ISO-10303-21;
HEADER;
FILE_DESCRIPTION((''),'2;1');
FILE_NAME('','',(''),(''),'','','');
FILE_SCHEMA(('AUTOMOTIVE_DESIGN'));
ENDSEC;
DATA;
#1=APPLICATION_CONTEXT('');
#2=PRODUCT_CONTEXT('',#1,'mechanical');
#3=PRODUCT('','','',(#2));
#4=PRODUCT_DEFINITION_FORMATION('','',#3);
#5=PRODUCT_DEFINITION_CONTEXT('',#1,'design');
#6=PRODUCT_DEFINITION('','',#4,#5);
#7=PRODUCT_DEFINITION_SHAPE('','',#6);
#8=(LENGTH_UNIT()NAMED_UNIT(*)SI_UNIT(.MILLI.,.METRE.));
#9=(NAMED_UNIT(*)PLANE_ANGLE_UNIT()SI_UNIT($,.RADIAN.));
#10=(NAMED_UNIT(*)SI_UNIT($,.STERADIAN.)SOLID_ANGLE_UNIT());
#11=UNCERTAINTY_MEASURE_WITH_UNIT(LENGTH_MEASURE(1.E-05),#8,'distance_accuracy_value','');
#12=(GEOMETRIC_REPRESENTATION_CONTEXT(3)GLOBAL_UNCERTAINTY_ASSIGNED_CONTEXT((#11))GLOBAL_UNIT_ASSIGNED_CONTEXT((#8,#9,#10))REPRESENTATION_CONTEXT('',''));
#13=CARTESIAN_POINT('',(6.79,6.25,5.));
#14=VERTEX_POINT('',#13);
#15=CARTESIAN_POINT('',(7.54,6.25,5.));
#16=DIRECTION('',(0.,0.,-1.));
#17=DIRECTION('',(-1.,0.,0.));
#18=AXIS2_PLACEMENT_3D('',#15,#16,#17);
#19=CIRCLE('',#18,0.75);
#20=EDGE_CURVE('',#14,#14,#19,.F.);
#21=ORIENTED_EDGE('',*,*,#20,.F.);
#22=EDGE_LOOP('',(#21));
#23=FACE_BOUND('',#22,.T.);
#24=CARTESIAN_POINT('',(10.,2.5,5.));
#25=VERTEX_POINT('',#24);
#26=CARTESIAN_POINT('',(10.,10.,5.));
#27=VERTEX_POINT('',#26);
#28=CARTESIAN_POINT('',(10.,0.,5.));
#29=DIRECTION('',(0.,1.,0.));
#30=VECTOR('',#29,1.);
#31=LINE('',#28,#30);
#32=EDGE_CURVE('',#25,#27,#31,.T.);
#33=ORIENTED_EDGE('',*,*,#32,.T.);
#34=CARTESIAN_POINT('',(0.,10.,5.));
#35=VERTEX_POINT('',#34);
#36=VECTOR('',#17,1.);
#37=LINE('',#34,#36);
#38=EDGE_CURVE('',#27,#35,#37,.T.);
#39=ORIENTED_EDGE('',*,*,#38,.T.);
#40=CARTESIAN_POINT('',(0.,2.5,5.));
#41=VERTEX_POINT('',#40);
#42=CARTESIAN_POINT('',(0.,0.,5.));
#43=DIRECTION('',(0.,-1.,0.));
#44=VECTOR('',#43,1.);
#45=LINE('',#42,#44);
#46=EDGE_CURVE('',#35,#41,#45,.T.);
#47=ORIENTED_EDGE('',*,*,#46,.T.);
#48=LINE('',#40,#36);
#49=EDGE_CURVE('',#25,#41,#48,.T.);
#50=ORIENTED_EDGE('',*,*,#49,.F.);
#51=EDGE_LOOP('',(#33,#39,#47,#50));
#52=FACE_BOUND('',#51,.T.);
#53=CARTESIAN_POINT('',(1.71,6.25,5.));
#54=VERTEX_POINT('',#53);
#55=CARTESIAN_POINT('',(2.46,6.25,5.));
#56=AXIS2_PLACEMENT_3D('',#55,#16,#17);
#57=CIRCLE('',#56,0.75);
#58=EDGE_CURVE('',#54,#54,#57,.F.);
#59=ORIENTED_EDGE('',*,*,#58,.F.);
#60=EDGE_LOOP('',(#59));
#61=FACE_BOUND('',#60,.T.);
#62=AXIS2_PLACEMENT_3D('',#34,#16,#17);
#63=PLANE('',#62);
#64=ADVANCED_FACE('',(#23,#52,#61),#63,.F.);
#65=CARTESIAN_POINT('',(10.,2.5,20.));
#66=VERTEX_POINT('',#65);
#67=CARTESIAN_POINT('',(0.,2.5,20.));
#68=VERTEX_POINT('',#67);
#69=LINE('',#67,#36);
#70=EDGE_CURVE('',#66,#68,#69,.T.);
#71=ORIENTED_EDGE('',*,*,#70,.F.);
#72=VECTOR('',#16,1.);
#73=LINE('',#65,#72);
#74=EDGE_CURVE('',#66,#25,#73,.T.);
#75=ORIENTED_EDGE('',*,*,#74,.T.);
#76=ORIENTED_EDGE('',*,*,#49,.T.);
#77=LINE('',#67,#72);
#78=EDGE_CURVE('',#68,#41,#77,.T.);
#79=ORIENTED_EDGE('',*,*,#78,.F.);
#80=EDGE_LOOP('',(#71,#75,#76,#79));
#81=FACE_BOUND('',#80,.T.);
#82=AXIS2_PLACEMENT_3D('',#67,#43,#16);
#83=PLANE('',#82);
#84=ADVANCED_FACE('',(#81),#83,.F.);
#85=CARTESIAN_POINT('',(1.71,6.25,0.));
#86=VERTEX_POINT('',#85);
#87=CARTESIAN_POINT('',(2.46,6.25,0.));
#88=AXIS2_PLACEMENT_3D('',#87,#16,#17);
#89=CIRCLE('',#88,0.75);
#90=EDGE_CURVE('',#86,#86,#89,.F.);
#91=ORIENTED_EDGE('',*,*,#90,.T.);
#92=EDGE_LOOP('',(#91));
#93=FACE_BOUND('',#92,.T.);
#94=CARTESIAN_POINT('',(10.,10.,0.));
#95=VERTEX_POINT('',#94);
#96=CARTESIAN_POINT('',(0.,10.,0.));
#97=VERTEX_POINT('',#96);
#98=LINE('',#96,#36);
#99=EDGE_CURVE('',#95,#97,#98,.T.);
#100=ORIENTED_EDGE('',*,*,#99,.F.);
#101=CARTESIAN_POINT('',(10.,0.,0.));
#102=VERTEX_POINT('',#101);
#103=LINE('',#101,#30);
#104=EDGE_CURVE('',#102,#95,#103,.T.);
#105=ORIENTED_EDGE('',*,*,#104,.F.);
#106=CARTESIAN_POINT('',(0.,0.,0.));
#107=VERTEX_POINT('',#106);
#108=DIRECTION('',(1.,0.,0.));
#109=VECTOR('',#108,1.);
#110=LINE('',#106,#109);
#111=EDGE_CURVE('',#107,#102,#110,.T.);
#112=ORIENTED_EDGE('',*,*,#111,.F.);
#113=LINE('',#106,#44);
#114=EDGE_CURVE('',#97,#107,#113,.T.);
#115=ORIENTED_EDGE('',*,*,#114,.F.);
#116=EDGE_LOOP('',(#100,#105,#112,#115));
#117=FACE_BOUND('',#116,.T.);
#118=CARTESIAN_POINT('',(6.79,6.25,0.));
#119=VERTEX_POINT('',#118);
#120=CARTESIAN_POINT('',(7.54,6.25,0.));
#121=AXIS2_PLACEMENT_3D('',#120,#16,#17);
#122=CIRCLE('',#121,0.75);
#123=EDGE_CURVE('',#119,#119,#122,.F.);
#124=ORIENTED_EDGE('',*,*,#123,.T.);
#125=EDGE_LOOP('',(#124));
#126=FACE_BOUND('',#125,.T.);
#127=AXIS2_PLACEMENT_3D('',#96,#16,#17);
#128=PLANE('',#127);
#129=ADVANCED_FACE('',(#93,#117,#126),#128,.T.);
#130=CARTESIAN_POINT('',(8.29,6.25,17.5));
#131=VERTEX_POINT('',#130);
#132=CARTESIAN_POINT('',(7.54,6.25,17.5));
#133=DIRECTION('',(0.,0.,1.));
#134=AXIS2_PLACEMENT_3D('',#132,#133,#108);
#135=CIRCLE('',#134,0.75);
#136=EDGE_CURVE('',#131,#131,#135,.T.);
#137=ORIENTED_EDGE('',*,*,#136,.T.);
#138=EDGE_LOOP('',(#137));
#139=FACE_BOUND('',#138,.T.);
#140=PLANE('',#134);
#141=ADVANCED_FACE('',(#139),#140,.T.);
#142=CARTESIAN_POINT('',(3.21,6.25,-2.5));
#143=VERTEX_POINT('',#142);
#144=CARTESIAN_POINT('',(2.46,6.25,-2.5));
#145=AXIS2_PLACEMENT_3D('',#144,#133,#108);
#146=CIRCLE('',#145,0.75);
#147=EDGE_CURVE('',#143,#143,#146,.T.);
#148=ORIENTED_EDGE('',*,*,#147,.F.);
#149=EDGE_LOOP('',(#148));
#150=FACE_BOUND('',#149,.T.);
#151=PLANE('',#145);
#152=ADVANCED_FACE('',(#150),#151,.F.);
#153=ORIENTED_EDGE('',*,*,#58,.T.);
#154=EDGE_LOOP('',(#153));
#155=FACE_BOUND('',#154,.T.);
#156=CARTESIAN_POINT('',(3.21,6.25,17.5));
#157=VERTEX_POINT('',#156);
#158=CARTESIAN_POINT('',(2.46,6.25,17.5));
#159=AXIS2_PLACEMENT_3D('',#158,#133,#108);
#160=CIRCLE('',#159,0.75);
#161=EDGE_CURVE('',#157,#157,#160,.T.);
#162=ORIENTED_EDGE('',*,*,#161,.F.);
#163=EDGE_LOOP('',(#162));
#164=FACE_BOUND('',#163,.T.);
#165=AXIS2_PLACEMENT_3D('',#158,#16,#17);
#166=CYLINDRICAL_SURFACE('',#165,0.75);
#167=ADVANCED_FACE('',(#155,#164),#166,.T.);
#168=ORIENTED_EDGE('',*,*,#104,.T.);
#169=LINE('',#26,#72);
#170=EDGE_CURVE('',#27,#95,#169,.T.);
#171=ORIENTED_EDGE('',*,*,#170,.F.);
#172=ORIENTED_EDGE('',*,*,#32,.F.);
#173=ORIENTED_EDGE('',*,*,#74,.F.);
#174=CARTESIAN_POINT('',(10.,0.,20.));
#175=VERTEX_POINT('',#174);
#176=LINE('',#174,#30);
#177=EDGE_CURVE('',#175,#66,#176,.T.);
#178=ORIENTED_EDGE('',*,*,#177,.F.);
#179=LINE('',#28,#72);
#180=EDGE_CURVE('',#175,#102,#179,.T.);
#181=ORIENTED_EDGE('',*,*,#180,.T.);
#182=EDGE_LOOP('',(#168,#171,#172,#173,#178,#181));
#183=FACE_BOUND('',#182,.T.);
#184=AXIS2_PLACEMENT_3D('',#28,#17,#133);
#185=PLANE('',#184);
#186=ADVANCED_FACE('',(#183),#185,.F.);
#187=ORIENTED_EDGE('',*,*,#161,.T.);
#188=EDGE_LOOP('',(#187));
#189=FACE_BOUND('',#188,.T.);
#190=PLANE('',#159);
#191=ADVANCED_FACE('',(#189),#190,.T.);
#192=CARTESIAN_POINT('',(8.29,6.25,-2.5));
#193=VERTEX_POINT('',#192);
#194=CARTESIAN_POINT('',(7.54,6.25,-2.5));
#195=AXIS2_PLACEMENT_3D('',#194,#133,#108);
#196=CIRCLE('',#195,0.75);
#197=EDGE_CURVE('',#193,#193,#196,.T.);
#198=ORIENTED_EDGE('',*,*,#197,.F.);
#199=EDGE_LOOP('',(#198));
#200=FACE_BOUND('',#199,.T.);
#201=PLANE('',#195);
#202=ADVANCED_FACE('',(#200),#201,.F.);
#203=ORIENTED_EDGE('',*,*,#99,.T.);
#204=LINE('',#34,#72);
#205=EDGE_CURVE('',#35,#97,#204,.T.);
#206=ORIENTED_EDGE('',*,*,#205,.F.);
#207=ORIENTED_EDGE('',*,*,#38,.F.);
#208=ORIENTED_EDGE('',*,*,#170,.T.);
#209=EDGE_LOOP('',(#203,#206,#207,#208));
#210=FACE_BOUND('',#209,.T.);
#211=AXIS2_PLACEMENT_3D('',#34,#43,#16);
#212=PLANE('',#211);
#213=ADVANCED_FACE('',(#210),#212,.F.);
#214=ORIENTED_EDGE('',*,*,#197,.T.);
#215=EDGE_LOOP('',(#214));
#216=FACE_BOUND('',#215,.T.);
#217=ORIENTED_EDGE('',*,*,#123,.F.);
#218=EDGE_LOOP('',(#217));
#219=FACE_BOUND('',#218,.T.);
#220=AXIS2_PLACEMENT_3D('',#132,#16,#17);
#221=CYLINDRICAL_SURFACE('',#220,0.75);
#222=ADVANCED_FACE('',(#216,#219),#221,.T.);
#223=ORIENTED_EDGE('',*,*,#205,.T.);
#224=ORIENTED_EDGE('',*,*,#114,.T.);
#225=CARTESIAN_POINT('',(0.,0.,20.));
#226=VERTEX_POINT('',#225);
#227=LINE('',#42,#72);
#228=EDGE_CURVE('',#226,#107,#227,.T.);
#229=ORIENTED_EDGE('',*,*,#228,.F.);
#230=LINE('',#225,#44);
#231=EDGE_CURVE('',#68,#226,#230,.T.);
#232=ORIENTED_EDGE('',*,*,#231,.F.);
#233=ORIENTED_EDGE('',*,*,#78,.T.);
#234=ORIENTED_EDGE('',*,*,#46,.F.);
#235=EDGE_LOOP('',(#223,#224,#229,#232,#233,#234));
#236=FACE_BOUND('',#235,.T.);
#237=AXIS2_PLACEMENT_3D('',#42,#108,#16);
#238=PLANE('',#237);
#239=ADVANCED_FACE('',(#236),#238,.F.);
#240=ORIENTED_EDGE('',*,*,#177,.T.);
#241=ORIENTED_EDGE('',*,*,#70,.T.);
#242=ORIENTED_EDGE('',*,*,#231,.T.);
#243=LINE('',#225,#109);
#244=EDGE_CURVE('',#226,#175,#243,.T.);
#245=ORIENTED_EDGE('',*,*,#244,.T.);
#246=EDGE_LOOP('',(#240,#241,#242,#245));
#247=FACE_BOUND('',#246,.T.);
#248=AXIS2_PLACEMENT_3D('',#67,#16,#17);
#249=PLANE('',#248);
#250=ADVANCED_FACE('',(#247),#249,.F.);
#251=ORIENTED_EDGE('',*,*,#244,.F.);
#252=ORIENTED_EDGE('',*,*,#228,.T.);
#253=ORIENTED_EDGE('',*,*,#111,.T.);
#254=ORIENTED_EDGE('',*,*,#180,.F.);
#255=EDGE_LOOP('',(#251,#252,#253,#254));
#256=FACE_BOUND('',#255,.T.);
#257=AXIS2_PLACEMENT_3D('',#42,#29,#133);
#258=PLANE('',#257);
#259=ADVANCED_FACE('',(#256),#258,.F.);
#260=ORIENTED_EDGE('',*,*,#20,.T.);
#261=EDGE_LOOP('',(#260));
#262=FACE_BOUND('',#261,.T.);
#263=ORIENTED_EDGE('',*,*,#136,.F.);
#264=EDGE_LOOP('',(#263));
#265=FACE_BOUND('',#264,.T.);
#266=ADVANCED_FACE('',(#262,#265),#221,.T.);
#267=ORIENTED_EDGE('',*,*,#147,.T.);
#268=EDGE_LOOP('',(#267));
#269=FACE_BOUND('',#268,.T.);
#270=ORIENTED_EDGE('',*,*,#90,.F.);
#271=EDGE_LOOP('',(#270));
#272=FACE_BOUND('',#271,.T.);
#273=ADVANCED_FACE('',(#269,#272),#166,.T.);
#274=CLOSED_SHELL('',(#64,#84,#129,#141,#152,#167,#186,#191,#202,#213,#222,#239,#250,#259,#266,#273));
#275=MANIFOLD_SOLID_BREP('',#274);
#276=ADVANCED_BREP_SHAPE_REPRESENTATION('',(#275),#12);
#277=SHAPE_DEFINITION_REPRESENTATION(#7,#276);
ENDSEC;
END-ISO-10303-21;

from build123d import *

# Parameters (mm, degrees)
SKETCH_1_W           = 10
SKETCH_1_H           = 10
EXTRUDE_1_DEPTH      = 5
SKETCH_2_W           = 10
SKETCH_2_H           = 2.5
EXTRUDE_2_DEPTH      = 15
EXTRUDE_3_DEPTH      = 12.5
EXTRUDE_3_DEPTH_BACK = 7.5
SKETCH_3_R           = 0.75


with BuildPart() as part:
    # Эскиз1 → Вытянуть1 (new body)
    with BuildSketch(Plane.XY):
        with Locations((5, 5)):
            Rectangle(SKETCH_1_W, SKETCH_1_H)
    extrude(amount=EXTRUDE_1_DEPTH)

    # Эскиз2 → Вытянуть2 (add)
    with BuildSketch(Plane.XY.offset(5)):
        with Locations((5, 1.25)):
            Rectangle(SKETCH_2_W, SKETCH_2_H)
    extrude(amount=EXTRUDE_2_DEPTH)

    # Эскиз3 → Вытянуть3 (add, two sides: drawn at the far end of the back side and taken through both)
    with BuildSketch(Plane.XY.offset(5).offset(-EXTRUDE_3_DEPTH_BACK)):
        with Locations((7.54, 6.25)):
            Circle(SKETCH_3_R)
        with Locations((2.46, 6.25)):
            Circle(SKETCH_3_R)
    extrude(amount=EXTRUDE_3_DEPTH + EXTRUDE_3_DEPTH_BACK)


solid = part.part
